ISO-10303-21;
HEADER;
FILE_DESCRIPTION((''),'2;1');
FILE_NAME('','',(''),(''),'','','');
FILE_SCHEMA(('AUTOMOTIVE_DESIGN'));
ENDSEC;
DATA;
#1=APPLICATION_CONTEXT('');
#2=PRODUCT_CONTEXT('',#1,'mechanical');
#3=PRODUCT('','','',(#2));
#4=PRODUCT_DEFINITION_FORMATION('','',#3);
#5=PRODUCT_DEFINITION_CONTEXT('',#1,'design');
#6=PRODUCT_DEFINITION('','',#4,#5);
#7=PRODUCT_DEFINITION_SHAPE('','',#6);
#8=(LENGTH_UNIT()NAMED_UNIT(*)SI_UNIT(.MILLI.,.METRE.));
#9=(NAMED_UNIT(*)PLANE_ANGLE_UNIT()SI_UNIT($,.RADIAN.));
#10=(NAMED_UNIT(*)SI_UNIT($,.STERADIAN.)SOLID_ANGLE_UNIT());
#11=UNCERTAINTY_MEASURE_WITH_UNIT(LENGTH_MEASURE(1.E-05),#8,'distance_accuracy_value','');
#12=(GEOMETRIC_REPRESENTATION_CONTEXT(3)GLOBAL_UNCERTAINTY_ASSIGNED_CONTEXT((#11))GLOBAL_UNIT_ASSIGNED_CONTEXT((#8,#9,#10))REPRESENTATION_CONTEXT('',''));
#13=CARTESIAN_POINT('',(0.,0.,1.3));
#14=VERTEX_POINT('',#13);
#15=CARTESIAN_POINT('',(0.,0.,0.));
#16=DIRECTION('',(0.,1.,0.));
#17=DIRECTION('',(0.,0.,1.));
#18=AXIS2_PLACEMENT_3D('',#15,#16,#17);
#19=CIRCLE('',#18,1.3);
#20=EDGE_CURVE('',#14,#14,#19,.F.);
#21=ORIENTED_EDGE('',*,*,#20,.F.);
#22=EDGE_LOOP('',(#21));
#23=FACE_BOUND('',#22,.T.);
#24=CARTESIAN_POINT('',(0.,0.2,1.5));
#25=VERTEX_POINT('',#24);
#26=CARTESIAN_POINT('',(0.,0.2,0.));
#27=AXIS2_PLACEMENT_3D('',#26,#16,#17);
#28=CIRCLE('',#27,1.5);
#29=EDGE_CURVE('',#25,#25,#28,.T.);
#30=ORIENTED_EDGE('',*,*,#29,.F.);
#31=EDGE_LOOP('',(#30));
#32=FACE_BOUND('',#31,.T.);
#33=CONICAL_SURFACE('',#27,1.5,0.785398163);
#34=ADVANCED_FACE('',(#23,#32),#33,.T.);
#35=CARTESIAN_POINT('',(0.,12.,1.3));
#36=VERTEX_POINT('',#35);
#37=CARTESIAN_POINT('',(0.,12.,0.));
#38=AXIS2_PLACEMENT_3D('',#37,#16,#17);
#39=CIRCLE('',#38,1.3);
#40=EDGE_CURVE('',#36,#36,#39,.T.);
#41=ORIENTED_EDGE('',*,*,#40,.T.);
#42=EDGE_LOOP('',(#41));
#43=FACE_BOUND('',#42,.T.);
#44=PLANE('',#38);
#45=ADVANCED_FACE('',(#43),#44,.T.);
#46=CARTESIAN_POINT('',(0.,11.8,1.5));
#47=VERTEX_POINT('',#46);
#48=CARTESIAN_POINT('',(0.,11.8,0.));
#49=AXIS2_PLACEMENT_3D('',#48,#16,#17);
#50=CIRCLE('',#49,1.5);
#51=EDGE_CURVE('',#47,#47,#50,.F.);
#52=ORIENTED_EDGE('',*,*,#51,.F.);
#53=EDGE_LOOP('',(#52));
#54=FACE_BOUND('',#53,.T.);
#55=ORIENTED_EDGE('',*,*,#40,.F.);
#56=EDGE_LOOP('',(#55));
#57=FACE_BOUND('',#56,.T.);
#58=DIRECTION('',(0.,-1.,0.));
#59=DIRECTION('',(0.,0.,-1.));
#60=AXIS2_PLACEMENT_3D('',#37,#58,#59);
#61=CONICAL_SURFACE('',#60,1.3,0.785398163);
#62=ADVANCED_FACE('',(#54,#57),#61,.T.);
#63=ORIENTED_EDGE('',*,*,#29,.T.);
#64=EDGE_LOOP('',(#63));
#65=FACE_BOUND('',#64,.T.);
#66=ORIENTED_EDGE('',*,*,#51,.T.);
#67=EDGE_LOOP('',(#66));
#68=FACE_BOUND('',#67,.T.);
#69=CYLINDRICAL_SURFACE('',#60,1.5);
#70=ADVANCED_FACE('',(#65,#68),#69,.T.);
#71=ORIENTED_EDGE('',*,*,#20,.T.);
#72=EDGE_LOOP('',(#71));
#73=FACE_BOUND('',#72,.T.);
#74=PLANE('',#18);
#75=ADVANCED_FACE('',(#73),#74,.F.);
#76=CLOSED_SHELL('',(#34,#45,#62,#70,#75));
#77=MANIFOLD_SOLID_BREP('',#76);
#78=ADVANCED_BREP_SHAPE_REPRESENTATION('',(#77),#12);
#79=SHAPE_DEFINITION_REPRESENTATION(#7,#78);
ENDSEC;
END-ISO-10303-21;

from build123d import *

# Parameters (mm, degrees)
SKETCH_1_R      = 1.5
EXTRUDE_1_DEPTH = 12
CHAMFER_1_SIZE  = 0.2


with BuildPart() as part:
    # 草图1 → 凸台-拉伸1 (new body)
    with BuildSketch(Plane(origin=(0, 0, 0), x_dir=(1, 0, 0), z_dir=(0, 1, 0))):
        Circle(SKETCH_1_R)
    extrude(amount=EXTRUDE_1_DEPTH)

    # 倒角1
    chamfer_1_edges = [part.edges().sort_by_distance(p)[0] for p in [
        (-1.5, 0, 0),
        (-1.5, 12, 0),
    ]]
    chamfer(chamfer_1_edges, length=CHAMFER_1_SIZE)


solid = part.part
